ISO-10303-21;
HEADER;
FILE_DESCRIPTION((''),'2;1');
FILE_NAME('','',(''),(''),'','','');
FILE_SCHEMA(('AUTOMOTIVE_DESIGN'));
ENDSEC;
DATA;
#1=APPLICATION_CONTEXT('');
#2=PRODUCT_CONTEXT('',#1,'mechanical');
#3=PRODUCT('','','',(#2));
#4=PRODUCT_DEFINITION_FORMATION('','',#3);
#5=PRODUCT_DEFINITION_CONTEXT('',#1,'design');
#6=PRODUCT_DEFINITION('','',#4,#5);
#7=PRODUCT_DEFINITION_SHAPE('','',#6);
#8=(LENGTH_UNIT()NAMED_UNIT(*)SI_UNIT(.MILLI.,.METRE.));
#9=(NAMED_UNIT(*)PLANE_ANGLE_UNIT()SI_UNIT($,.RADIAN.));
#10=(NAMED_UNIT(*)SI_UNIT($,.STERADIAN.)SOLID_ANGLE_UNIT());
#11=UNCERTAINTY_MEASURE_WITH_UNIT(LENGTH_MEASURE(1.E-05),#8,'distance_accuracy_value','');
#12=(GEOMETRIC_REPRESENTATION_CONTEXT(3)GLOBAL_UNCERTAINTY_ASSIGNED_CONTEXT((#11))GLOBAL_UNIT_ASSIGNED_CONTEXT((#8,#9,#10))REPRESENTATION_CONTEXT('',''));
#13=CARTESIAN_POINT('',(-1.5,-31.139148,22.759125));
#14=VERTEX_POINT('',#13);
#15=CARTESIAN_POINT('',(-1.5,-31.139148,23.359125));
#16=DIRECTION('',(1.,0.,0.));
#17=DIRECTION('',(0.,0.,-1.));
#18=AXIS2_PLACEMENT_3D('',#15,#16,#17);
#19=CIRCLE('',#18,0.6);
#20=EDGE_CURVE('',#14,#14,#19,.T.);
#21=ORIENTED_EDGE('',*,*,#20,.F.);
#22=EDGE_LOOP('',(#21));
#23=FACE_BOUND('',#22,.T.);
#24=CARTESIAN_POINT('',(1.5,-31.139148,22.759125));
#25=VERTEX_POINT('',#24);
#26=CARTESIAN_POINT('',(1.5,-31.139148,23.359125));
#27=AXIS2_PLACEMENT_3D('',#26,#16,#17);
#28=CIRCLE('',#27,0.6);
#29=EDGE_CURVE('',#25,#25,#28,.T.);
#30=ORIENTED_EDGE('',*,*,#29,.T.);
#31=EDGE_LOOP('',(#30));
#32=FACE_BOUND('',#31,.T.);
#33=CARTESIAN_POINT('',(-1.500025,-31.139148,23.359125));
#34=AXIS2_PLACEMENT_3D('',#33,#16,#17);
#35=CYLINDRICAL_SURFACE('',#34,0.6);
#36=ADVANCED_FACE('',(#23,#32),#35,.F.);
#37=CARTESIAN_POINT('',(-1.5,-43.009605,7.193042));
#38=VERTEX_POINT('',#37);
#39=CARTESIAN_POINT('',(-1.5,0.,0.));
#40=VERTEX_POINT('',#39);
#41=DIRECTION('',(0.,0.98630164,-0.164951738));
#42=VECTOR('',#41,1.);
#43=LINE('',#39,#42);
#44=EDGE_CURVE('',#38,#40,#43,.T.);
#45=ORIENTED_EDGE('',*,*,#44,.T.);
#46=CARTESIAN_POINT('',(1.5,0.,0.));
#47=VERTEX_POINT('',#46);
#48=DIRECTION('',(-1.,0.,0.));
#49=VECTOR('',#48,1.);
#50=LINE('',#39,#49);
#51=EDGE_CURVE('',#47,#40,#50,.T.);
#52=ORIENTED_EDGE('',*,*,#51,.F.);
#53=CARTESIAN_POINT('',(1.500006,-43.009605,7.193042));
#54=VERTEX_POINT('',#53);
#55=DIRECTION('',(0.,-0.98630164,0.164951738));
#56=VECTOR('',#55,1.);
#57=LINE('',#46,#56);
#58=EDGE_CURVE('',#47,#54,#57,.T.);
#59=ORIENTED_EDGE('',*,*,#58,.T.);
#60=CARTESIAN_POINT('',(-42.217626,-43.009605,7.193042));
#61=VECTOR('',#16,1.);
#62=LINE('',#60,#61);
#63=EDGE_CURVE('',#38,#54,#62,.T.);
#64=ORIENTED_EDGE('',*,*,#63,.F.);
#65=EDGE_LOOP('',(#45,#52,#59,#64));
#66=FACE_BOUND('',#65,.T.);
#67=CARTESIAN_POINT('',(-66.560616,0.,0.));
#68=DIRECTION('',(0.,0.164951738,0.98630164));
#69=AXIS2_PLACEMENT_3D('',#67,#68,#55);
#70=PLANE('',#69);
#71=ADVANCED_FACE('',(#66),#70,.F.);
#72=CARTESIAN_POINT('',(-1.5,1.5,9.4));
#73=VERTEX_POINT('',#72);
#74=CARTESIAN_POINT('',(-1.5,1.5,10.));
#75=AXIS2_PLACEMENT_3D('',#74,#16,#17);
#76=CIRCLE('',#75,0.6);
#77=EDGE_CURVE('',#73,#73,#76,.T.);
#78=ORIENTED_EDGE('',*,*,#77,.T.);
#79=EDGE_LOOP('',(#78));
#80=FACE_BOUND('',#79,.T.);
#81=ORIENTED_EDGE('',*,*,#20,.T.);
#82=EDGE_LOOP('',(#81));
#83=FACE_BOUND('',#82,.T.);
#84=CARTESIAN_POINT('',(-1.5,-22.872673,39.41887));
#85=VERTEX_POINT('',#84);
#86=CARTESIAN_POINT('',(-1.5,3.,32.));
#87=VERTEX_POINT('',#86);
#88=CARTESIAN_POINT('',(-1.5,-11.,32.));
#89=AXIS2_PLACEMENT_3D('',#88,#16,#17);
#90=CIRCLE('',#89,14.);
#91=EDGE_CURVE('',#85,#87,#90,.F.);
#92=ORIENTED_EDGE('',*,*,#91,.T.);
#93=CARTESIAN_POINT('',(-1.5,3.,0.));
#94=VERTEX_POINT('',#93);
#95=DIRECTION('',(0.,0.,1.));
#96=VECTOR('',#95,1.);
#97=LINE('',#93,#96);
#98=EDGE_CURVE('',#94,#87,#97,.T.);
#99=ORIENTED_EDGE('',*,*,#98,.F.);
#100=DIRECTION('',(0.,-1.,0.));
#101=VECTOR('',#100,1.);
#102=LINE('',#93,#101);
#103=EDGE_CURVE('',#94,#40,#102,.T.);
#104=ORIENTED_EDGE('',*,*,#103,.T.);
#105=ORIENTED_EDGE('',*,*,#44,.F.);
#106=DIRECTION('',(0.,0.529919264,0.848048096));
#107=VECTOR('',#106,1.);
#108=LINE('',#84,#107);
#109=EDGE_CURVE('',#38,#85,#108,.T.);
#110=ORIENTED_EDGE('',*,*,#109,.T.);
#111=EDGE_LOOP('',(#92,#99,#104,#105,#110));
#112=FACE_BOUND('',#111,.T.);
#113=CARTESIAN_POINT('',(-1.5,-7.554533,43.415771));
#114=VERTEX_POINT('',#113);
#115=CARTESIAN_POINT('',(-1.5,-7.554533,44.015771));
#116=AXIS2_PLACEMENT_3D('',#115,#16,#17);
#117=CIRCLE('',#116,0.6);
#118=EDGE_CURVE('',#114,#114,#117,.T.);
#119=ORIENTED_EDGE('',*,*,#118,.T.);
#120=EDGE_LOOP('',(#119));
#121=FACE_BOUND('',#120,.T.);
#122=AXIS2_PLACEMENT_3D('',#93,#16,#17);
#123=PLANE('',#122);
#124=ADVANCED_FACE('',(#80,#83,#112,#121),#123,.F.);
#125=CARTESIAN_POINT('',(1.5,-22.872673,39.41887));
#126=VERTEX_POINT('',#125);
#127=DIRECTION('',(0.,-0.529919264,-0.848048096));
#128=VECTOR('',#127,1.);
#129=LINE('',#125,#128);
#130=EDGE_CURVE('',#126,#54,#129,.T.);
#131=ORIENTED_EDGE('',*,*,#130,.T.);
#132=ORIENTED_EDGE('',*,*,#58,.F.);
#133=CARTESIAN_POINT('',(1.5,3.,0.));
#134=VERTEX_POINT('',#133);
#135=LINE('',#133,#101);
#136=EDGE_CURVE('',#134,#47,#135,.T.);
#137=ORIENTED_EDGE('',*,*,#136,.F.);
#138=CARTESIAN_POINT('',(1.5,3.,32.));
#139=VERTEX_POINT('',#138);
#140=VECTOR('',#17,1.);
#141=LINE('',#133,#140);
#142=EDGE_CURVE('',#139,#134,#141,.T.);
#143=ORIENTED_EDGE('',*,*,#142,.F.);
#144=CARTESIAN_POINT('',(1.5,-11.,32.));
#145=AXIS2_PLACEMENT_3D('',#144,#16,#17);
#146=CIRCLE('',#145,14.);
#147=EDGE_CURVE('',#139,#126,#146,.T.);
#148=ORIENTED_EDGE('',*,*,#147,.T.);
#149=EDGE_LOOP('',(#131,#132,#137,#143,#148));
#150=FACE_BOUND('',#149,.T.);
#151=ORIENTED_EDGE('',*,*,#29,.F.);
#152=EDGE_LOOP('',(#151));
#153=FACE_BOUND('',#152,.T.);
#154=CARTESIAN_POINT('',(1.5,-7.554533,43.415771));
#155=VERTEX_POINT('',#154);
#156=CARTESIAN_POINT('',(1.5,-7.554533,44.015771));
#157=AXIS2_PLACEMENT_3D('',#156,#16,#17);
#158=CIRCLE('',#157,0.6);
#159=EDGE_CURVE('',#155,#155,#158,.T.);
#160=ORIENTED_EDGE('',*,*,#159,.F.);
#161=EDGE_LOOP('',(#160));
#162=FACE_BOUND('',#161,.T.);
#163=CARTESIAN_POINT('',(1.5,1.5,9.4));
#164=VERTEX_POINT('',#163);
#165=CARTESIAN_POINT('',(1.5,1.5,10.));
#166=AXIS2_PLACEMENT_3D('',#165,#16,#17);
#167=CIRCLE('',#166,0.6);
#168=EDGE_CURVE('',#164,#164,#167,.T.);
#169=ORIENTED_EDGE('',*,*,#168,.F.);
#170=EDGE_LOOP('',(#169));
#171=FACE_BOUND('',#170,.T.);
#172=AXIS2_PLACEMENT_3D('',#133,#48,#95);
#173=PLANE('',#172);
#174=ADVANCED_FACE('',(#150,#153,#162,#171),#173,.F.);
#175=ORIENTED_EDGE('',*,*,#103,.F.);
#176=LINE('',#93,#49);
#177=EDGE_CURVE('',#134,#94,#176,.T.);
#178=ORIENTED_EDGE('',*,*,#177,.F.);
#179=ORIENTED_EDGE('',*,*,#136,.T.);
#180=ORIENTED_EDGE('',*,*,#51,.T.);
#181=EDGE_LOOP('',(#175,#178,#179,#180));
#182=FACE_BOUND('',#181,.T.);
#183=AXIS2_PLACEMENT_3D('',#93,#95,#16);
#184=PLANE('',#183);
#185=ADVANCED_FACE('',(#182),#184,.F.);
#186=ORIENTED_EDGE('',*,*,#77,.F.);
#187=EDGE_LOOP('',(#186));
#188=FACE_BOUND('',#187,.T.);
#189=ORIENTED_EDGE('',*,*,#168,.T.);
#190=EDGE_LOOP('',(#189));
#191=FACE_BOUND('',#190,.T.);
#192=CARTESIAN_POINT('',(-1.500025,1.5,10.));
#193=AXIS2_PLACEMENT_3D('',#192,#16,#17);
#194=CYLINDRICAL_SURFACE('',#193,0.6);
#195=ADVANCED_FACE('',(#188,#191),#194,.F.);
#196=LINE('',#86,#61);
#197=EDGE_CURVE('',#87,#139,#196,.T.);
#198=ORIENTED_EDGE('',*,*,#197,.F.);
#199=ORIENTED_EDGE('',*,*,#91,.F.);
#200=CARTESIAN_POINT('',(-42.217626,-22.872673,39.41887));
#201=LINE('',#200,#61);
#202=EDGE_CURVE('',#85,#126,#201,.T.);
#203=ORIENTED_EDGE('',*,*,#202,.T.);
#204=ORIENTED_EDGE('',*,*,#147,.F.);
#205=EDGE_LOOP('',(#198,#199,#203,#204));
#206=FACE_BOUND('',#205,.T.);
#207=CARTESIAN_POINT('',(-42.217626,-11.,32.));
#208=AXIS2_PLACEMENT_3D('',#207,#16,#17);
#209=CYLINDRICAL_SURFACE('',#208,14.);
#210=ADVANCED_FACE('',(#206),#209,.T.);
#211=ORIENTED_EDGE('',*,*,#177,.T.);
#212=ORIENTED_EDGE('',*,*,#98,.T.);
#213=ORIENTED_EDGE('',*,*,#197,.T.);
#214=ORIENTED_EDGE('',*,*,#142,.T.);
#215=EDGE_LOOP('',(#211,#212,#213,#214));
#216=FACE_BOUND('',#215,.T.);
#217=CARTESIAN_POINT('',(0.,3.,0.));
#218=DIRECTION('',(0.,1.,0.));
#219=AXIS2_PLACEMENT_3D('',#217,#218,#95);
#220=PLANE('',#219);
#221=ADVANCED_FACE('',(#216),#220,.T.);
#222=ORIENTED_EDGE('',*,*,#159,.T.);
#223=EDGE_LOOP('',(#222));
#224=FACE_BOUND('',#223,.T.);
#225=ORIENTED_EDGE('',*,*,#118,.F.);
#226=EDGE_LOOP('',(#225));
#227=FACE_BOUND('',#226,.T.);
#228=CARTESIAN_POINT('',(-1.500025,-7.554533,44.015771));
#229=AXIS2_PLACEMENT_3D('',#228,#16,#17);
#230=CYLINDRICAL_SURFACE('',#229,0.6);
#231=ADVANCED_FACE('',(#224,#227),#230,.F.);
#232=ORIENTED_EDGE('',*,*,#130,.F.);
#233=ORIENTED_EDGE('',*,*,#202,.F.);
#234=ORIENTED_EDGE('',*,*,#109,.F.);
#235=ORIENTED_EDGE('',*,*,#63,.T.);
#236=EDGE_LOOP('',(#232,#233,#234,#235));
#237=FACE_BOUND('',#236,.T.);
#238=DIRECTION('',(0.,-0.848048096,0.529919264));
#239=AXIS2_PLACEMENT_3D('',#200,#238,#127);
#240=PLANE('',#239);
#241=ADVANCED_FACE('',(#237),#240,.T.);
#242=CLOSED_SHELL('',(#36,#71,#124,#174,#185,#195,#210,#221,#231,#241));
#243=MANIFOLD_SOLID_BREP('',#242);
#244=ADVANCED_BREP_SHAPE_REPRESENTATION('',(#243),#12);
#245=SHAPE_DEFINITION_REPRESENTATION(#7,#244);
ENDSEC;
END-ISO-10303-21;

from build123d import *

# Parameters (mm, degrees)
SKETCH_2_W               = 3
SKETCH_2_H               = 32
EXTRUDE_1_DEPTH          = 3
EXTRUDE_2_DEPTH          = 3
EXTRUDE_3_DEPTH          = 3
CUT_EXTRUDE_1_DEPTH      = 64.046222373
CUT_EXTRUDE_1_DEPTH_BACK = 3
SKETCH_6_R               = 0.6
CUT_EXTRUDE_2_DEPTH      = 64.046222373


with BuildPart() as part:
    # 草图2 → 凸台-拉伸1 (new body)
    with BuildSketch(Plane(origin=(0, 0, 0), x_dir=(1, 0, 0), z_dir=(0, 1, 0))):
        with Locations((0, -16)):
            Rectangle(SKETCH_2_W, SKETCH_2_H)
    extrude(amount=EXTRUDE_1_DEPTH)

    # 草图3 → 凸台-拉伸2 (add)
    with BuildSketch(Plane(origin=(1.5, 0, 0), x_dir=(0, 0, -1), z_dir=(1, 0, 0))):
        with BuildLine():
            ThreePointArc((-37.829111907, -20.328529058), (-42.573878655, -7.967989086), (-32, 0))
            Line((-32, 0), (-23.339745962, 0))
            ThreePointArc((-23.339745962, 0), (-43.453167914, -2.948606038), (-39.418869699, -22.872673346))
            Line((-39.418869699, -22.872673346), (-7.193042045, -43.009605387))
            Line((-7.193042045, -43.009605387), (-5.603284253, -40.465461099))
            Line((-5.603284253, -40.465461099), (-37.829111907, -20.328529058))
        make_face()
    extrude(amount=-EXTRUDE_2_DEPTH)

    # 草图4 → 凸台-拉伸3 (add)
    with BuildSketch(Plane(origin=(1.5, 0, 0), x_dir=(0, 0, -1), z_dir=(1, 0, 0))):
        with BuildLine():
            Line((-6.657393053, -39.806780816), (0, 0))
            Line((0, 0), (-32, 0))
            ThreePointArc((-32, 0), (-42.573878655, -7.967989086), (-37.829111907, -20.328529058))
            Line((-37.829111907, -20.328529058), (-6.657393053, -39.806780816))
        make_face()
    extrude(amount=-EXTRUDE_3_DEPTH)

    # 草图5 → 切除-拉伸1 (cut, two sides: drawn at the far end of the back side and taken through both)
    with BuildSketch(Plane(origin=(1.5, 0, 0), x_dir=(0, 0, -1), z_dir=(1, 0, 0)).offset(-CUT_EXTRUDE_1_DEPTH_BACK)):
        Polygon((-6.657393053, -39.806780816), (-7.193042045, -43.009605387), (-5.603284253, -40.465461099), align=None)
    extrude(amount=CUT_EXTRUDE_1_DEPTH + CUT_EXTRUDE_1_DEPTH_BACK, mode=Mode.SUBTRACT)

    # 草图6 → 切除-拉伸2 (cut, through all)
    with BuildSketch(Plane(origin=(1.5, 0, 0), x_dir=(0, 0, -1), z_dir=(1, 0, 0))):
        with Locations((-10, 1.5)):
            Circle(SKETCH_6_R)
        with Locations((-44.015771199, -7.554533052)):
            Circle(SKETCH_6_R)
        with Locations((-23.359125072, -31.139147958)):
            Circle(SKETCH_6_R)
    extrude(amount=-CUT_EXTRUDE_2_DEPTH, mode=Mode.SUBTRACT)


solid = part.part
